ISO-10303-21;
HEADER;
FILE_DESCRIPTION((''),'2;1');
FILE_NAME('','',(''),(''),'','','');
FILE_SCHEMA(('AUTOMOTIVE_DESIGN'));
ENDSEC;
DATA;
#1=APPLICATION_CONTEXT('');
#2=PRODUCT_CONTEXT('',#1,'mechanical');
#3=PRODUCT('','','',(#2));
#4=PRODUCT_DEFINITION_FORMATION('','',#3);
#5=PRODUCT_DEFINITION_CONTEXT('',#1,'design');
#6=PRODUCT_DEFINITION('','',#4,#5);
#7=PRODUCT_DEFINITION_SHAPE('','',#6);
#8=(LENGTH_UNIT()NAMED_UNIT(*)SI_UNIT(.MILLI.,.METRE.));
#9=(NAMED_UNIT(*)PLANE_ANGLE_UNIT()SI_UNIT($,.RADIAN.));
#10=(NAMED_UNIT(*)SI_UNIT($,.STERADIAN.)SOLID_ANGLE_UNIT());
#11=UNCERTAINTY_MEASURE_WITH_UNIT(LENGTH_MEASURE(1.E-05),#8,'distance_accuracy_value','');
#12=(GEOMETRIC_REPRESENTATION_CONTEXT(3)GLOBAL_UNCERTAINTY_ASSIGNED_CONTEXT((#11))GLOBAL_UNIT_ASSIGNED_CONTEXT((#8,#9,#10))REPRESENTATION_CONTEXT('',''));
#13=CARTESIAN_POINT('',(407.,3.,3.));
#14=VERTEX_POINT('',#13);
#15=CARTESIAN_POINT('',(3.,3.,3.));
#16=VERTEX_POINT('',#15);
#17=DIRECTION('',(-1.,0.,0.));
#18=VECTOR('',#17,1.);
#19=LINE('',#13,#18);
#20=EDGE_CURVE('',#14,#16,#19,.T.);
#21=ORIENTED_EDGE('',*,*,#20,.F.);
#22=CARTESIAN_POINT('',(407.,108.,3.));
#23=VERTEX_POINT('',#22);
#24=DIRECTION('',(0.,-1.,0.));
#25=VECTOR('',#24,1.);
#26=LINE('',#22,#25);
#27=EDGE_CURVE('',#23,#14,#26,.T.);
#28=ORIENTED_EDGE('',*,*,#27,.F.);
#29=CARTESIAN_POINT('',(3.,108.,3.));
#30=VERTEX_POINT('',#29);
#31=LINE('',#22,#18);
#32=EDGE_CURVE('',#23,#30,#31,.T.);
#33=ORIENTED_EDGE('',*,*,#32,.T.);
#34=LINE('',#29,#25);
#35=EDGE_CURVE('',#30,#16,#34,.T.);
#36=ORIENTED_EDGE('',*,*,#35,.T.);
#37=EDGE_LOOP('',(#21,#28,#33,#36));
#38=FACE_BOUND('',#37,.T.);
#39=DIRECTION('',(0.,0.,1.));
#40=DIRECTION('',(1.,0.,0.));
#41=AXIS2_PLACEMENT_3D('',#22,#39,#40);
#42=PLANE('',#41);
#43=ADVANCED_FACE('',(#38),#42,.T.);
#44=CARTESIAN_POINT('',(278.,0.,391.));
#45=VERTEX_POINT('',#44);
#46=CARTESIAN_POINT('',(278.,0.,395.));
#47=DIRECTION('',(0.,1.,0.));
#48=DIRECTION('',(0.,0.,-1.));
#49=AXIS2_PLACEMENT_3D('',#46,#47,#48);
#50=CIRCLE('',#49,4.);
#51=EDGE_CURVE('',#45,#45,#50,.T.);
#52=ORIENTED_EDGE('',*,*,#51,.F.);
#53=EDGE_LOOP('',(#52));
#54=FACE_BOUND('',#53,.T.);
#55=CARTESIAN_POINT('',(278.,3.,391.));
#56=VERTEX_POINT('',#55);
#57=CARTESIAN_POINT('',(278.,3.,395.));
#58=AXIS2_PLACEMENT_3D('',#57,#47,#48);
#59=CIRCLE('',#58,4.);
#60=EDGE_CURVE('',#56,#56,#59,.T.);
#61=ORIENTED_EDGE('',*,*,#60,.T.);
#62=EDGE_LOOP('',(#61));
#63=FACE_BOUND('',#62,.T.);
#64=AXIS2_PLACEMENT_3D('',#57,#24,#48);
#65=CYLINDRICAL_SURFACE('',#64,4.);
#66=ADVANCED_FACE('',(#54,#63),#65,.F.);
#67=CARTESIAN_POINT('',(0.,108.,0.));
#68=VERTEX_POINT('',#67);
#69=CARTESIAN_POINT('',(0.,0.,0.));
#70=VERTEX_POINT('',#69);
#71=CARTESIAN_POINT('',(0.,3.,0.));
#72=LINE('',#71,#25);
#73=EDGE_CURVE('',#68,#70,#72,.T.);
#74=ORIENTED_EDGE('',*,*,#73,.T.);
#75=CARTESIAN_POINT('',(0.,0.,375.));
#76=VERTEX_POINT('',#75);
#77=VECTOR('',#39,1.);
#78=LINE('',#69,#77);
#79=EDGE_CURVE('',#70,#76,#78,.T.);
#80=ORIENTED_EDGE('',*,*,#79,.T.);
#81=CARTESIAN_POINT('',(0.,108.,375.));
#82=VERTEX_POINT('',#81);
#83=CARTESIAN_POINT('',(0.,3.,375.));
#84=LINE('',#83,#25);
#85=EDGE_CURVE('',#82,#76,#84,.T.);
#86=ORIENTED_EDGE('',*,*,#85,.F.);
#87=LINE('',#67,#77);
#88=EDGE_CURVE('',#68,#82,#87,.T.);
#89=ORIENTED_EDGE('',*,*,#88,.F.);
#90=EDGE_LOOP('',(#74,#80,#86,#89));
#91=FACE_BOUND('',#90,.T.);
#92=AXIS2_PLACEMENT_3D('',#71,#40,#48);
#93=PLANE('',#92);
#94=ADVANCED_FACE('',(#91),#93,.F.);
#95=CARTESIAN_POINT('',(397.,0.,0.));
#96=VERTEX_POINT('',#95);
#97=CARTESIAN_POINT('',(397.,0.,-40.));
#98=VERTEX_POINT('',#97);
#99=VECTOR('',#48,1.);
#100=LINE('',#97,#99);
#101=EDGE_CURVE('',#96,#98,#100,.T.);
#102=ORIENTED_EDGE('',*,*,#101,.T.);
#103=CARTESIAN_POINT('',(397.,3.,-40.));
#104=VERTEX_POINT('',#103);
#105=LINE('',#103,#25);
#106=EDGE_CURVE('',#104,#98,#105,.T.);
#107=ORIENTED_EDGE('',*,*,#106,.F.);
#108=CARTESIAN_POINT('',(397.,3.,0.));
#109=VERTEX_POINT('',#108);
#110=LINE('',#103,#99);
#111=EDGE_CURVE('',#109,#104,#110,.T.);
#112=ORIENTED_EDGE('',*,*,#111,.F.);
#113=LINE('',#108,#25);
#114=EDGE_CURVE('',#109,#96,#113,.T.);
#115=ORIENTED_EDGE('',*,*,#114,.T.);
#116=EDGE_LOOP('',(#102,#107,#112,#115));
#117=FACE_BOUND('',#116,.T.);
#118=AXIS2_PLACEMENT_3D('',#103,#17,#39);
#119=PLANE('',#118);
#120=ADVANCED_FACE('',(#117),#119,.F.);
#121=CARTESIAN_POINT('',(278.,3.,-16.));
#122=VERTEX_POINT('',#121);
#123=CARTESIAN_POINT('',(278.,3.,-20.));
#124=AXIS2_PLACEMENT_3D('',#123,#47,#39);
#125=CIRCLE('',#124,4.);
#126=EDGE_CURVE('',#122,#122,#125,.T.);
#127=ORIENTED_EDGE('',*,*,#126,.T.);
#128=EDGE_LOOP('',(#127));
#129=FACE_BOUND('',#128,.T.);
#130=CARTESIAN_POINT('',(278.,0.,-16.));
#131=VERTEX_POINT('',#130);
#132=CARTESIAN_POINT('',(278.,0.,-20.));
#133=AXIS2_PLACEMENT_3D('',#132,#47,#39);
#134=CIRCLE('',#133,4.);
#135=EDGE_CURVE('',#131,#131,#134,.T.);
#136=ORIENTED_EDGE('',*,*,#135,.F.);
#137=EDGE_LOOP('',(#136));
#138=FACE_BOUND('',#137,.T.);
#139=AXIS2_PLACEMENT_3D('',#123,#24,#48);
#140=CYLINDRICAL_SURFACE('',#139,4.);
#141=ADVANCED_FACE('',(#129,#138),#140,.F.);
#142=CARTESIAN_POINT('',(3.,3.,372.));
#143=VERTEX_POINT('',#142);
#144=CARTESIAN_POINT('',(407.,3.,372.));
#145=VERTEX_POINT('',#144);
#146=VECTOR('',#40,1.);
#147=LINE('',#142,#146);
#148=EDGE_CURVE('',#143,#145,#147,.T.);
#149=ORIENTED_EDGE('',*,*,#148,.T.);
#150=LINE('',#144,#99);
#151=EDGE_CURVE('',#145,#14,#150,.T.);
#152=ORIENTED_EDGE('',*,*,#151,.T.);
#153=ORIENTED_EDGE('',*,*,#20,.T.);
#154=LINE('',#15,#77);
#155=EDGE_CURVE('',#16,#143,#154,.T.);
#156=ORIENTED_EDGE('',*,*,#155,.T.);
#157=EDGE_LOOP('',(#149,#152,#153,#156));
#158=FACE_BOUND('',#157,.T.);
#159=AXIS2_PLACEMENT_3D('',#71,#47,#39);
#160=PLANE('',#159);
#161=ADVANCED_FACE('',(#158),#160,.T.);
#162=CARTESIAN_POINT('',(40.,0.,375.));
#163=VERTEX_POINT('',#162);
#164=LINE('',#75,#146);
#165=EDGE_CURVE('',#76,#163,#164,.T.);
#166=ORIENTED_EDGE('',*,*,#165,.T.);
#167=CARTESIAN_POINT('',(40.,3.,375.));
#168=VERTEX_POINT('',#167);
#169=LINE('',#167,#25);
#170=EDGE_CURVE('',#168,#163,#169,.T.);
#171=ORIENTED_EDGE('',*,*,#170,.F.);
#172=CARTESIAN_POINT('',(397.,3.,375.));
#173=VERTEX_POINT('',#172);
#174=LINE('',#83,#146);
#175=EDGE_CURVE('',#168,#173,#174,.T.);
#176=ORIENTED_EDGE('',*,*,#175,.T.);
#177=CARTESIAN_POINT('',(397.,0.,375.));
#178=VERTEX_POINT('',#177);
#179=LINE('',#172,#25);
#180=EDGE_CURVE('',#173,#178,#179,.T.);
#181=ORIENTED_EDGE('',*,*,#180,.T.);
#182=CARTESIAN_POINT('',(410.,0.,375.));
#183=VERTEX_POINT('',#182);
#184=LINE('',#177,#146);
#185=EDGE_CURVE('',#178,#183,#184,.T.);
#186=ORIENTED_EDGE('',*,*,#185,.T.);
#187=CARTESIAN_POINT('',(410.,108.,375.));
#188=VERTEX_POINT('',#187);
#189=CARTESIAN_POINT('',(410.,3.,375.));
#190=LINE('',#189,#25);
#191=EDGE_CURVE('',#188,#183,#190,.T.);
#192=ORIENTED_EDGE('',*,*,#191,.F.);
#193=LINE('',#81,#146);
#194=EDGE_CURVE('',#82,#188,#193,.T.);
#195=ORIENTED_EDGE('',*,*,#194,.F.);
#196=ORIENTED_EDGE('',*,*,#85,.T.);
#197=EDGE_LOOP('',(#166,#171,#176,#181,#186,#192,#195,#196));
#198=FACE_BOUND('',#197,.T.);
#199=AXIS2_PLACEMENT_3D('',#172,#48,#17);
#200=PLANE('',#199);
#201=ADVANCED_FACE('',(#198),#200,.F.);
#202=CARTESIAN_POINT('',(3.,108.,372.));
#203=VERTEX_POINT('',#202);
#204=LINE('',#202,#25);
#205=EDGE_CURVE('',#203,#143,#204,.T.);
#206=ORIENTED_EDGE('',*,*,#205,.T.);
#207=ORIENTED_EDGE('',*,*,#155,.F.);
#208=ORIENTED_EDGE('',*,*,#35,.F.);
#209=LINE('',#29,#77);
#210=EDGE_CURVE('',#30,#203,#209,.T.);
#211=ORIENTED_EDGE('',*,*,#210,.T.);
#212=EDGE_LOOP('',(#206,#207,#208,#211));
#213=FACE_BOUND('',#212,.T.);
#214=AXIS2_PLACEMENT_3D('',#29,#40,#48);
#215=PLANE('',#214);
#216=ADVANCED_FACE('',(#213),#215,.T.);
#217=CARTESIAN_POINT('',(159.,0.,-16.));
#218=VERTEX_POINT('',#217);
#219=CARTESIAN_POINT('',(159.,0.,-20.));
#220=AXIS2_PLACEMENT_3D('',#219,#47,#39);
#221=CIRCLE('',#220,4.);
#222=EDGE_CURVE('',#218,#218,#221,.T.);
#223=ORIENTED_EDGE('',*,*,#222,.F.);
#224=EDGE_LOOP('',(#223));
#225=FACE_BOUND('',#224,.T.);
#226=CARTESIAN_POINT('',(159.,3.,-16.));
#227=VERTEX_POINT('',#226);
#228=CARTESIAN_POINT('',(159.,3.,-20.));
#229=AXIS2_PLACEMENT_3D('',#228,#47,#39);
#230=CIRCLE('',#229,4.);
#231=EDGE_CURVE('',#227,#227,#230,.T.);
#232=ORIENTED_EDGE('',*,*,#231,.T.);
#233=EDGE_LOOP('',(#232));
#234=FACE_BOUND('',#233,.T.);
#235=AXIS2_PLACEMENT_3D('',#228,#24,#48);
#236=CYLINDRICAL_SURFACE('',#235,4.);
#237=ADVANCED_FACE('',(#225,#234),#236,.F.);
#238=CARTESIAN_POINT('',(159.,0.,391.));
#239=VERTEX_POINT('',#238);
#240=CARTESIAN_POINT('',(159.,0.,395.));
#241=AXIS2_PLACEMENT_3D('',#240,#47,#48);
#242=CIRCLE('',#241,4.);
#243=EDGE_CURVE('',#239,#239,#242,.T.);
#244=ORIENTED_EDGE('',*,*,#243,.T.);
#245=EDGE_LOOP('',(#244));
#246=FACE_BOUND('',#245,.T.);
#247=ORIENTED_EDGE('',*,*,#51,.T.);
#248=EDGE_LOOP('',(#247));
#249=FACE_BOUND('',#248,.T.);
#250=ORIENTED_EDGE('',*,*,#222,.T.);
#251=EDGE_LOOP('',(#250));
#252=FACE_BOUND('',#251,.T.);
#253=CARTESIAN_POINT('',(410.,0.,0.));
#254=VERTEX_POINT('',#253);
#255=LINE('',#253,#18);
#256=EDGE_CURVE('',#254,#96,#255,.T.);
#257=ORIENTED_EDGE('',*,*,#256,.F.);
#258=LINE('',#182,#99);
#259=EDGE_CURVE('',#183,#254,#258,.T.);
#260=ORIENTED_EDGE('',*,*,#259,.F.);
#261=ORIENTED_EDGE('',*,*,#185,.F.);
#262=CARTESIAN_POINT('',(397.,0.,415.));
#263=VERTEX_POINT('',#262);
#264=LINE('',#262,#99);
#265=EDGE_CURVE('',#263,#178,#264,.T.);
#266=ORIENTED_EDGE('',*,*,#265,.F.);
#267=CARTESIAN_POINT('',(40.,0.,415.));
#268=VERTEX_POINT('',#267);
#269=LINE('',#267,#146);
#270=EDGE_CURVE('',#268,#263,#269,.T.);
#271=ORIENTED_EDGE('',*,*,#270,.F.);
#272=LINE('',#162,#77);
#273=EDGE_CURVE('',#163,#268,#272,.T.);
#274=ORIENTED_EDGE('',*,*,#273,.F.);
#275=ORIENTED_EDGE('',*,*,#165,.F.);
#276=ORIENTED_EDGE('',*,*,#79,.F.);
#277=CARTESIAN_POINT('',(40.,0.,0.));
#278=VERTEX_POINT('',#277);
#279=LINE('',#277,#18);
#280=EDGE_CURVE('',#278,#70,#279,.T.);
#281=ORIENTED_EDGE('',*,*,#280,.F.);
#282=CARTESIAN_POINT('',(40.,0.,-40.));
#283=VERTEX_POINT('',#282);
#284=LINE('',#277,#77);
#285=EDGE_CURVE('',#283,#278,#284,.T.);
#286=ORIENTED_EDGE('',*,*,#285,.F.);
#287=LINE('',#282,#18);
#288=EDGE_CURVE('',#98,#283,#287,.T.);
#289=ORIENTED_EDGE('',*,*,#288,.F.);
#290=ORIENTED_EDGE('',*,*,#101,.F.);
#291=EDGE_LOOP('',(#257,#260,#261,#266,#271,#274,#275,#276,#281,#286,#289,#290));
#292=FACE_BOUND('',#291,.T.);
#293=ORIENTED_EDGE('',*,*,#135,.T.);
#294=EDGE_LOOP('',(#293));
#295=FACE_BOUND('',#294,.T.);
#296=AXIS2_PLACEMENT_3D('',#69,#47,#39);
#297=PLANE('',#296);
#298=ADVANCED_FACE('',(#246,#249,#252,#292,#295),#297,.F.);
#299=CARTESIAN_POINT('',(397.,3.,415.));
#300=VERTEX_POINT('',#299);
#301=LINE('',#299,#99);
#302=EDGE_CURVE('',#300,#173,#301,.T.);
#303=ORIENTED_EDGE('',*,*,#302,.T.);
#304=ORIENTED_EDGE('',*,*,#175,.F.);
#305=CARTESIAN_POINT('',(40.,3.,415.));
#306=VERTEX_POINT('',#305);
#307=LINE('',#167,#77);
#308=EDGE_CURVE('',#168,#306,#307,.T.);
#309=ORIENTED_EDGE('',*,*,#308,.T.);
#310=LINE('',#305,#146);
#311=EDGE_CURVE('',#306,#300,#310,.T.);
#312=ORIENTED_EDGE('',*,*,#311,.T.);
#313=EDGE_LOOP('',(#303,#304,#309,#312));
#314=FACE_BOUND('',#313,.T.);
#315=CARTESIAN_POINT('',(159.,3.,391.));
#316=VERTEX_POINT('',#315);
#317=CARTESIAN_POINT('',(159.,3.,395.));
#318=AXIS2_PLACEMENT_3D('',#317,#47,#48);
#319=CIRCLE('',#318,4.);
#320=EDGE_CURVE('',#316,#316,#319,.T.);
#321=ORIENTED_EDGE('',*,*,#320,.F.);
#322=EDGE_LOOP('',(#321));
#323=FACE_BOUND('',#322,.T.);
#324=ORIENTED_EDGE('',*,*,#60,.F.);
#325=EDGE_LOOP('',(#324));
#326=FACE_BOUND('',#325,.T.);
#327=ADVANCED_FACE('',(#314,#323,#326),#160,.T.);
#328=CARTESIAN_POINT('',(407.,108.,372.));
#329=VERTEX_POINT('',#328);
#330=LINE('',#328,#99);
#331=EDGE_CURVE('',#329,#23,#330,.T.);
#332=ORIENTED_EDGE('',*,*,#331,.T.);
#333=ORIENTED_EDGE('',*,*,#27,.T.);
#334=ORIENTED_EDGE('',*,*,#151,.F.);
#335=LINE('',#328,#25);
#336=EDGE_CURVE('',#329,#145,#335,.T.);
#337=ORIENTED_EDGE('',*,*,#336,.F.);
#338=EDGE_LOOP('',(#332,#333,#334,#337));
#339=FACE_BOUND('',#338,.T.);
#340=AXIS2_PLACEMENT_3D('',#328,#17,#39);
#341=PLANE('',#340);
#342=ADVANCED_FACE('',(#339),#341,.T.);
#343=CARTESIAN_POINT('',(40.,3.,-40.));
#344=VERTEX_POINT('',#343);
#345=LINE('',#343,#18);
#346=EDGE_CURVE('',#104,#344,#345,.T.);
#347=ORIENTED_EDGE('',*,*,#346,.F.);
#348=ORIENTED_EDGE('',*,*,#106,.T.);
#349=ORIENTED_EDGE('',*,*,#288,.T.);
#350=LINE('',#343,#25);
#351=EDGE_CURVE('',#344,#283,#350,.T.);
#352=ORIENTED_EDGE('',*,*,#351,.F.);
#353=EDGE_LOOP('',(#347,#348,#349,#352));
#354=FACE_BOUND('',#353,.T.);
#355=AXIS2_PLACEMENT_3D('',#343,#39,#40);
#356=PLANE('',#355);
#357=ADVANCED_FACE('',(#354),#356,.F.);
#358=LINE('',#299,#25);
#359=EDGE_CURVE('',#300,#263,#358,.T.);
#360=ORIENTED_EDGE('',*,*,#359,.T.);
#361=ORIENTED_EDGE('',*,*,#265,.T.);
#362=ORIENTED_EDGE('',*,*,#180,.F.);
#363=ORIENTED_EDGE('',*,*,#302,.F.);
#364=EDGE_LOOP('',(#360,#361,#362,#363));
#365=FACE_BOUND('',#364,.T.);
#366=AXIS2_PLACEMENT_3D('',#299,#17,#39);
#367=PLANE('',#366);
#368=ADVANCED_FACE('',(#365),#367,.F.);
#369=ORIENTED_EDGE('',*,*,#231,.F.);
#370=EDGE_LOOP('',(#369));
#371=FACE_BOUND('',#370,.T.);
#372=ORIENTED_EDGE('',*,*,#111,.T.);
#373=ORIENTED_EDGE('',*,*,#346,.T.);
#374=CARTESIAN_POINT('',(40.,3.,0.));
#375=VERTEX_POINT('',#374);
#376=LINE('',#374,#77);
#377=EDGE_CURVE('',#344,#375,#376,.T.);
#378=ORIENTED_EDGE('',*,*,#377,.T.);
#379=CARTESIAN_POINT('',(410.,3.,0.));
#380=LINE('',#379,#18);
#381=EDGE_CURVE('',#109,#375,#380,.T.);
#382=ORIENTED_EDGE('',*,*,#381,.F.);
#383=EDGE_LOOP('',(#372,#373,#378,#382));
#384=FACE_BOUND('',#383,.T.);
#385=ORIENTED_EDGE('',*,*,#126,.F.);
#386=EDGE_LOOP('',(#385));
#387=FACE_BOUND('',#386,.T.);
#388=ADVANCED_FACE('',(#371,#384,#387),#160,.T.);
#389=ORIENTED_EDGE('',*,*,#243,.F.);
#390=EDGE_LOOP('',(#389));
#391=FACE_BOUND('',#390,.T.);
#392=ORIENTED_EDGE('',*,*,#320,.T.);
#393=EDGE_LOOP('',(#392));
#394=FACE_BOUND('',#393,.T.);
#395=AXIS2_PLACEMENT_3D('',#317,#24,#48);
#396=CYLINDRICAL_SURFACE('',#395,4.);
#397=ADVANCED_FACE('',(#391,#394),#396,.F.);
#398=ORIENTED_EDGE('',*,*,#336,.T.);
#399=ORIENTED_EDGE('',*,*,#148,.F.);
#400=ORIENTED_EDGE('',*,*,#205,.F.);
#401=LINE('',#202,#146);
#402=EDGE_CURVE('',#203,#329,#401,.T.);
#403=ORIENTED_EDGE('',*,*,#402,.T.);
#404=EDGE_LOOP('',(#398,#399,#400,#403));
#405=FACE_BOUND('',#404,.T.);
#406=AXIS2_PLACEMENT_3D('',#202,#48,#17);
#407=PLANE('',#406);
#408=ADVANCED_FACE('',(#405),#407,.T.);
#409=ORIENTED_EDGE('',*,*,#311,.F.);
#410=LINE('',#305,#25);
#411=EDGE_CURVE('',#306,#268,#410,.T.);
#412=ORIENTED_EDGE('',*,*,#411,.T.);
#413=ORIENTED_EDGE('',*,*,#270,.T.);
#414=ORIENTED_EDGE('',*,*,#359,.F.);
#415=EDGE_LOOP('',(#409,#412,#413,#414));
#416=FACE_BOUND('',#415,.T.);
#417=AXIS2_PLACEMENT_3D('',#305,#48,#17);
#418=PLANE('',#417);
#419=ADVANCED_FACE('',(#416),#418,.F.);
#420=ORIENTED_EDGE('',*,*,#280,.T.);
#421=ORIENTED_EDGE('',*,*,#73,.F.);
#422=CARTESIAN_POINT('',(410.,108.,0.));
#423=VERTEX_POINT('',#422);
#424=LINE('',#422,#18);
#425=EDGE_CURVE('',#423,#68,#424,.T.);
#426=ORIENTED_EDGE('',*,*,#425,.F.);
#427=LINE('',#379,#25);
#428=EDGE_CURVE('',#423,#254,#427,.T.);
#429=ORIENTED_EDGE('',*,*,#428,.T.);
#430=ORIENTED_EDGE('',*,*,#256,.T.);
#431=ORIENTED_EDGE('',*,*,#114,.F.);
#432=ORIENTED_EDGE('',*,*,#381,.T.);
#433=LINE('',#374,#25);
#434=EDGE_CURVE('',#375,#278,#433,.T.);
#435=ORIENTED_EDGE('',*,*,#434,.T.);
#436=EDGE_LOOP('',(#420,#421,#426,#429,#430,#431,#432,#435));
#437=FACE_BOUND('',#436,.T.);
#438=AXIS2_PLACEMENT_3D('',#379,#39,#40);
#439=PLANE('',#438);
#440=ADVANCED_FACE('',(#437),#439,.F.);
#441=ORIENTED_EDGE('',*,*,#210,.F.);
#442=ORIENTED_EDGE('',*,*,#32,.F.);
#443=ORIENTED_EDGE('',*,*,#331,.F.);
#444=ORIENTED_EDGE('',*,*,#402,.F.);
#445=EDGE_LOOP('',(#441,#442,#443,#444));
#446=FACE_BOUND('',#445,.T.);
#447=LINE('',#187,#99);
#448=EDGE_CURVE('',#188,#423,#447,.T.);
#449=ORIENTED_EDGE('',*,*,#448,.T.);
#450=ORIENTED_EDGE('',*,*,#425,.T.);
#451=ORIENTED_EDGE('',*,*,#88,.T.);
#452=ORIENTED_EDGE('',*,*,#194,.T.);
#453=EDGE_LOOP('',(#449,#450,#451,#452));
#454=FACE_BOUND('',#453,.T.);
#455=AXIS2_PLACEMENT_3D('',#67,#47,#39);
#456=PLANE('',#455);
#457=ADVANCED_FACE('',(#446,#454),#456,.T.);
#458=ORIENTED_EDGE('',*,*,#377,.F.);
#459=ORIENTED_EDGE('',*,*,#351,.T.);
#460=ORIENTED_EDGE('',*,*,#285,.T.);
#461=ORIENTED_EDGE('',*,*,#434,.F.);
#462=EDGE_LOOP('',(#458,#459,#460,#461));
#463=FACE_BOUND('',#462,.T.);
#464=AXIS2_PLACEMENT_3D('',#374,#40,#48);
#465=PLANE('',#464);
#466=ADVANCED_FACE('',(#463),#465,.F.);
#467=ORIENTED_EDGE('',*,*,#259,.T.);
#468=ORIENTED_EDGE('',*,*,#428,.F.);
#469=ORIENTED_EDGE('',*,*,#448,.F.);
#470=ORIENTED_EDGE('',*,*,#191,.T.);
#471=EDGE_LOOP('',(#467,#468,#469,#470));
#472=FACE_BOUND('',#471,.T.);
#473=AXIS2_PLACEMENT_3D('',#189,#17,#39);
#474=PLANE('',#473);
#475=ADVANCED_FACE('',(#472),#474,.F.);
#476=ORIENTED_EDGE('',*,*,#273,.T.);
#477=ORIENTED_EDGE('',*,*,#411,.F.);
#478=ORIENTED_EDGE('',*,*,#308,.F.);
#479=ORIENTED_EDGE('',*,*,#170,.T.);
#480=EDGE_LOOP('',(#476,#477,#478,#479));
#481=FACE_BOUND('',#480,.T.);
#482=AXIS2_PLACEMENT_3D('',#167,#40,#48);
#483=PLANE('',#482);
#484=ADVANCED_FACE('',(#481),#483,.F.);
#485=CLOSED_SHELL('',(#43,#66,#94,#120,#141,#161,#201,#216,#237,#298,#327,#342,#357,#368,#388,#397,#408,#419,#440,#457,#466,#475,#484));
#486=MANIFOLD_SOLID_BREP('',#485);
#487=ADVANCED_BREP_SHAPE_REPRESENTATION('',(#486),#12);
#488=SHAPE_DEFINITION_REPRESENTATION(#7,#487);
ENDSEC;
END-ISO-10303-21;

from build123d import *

# Parameters (mm, degrees)
SKETCH_1_R      = 4
EXTRUDE_2_DEPTH = 3
SKETCH_2_W      = 410
SKETCH_2_H      = 375
SKETCH_2_W_2    = 404
SKETCH_2_H_2    = 369
EXTRUDE_3_DEPTH = 105


with BuildPart() as part:
    # 草圖1 → 填料-伸長2 (new body)
    with BuildSketch(Plane(origin=(0, 0, 0), x_dir=(1, 0, 0), z_dir=(0, 1, 0))):
        Polygon((0, 0), (0, -375), (40, -375), (40, -415), (397, -415), (397, -375), (410, -375), (410, 0), (397, 0), (397, 40), (40, 40), (40, 0), align=None)
        with Locations((159, 20)):
            Circle(SKETCH_1_R, mode=Mode.SUBTRACT)
        with Locations((278, 20)):
            Circle(SKETCH_1_R, mode=Mode.SUBTRACT)
        with Locations((278, -395)):
            Circle(SKETCH_1_R, mode=Mode.SUBTRACT)
        with Locations((159, -395)):
            Circle(SKETCH_1_R, mode=Mode.SUBTRACT)
    extrude(amount=EXTRUDE_2_DEPTH)

    # 草圖2 → 填料-伸長3 (add)
    with BuildSketch(Plane(origin=(0, 3, 0), x_dir=(1, 0, 0), z_dir=(0, 1, 0))):
        with Locations((205, -187.5)):
            Rectangle(SKETCH_2_W, SKETCH_2_H)
        with Locations((205, -187.5)):
            Rectangle(SKETCH_2_W_2, SKETCH_2_H_2, mode=Mode.SUBTRACT)
    extrude(amount=EXTRUDE_3_DEPTH)


solid = part.part
